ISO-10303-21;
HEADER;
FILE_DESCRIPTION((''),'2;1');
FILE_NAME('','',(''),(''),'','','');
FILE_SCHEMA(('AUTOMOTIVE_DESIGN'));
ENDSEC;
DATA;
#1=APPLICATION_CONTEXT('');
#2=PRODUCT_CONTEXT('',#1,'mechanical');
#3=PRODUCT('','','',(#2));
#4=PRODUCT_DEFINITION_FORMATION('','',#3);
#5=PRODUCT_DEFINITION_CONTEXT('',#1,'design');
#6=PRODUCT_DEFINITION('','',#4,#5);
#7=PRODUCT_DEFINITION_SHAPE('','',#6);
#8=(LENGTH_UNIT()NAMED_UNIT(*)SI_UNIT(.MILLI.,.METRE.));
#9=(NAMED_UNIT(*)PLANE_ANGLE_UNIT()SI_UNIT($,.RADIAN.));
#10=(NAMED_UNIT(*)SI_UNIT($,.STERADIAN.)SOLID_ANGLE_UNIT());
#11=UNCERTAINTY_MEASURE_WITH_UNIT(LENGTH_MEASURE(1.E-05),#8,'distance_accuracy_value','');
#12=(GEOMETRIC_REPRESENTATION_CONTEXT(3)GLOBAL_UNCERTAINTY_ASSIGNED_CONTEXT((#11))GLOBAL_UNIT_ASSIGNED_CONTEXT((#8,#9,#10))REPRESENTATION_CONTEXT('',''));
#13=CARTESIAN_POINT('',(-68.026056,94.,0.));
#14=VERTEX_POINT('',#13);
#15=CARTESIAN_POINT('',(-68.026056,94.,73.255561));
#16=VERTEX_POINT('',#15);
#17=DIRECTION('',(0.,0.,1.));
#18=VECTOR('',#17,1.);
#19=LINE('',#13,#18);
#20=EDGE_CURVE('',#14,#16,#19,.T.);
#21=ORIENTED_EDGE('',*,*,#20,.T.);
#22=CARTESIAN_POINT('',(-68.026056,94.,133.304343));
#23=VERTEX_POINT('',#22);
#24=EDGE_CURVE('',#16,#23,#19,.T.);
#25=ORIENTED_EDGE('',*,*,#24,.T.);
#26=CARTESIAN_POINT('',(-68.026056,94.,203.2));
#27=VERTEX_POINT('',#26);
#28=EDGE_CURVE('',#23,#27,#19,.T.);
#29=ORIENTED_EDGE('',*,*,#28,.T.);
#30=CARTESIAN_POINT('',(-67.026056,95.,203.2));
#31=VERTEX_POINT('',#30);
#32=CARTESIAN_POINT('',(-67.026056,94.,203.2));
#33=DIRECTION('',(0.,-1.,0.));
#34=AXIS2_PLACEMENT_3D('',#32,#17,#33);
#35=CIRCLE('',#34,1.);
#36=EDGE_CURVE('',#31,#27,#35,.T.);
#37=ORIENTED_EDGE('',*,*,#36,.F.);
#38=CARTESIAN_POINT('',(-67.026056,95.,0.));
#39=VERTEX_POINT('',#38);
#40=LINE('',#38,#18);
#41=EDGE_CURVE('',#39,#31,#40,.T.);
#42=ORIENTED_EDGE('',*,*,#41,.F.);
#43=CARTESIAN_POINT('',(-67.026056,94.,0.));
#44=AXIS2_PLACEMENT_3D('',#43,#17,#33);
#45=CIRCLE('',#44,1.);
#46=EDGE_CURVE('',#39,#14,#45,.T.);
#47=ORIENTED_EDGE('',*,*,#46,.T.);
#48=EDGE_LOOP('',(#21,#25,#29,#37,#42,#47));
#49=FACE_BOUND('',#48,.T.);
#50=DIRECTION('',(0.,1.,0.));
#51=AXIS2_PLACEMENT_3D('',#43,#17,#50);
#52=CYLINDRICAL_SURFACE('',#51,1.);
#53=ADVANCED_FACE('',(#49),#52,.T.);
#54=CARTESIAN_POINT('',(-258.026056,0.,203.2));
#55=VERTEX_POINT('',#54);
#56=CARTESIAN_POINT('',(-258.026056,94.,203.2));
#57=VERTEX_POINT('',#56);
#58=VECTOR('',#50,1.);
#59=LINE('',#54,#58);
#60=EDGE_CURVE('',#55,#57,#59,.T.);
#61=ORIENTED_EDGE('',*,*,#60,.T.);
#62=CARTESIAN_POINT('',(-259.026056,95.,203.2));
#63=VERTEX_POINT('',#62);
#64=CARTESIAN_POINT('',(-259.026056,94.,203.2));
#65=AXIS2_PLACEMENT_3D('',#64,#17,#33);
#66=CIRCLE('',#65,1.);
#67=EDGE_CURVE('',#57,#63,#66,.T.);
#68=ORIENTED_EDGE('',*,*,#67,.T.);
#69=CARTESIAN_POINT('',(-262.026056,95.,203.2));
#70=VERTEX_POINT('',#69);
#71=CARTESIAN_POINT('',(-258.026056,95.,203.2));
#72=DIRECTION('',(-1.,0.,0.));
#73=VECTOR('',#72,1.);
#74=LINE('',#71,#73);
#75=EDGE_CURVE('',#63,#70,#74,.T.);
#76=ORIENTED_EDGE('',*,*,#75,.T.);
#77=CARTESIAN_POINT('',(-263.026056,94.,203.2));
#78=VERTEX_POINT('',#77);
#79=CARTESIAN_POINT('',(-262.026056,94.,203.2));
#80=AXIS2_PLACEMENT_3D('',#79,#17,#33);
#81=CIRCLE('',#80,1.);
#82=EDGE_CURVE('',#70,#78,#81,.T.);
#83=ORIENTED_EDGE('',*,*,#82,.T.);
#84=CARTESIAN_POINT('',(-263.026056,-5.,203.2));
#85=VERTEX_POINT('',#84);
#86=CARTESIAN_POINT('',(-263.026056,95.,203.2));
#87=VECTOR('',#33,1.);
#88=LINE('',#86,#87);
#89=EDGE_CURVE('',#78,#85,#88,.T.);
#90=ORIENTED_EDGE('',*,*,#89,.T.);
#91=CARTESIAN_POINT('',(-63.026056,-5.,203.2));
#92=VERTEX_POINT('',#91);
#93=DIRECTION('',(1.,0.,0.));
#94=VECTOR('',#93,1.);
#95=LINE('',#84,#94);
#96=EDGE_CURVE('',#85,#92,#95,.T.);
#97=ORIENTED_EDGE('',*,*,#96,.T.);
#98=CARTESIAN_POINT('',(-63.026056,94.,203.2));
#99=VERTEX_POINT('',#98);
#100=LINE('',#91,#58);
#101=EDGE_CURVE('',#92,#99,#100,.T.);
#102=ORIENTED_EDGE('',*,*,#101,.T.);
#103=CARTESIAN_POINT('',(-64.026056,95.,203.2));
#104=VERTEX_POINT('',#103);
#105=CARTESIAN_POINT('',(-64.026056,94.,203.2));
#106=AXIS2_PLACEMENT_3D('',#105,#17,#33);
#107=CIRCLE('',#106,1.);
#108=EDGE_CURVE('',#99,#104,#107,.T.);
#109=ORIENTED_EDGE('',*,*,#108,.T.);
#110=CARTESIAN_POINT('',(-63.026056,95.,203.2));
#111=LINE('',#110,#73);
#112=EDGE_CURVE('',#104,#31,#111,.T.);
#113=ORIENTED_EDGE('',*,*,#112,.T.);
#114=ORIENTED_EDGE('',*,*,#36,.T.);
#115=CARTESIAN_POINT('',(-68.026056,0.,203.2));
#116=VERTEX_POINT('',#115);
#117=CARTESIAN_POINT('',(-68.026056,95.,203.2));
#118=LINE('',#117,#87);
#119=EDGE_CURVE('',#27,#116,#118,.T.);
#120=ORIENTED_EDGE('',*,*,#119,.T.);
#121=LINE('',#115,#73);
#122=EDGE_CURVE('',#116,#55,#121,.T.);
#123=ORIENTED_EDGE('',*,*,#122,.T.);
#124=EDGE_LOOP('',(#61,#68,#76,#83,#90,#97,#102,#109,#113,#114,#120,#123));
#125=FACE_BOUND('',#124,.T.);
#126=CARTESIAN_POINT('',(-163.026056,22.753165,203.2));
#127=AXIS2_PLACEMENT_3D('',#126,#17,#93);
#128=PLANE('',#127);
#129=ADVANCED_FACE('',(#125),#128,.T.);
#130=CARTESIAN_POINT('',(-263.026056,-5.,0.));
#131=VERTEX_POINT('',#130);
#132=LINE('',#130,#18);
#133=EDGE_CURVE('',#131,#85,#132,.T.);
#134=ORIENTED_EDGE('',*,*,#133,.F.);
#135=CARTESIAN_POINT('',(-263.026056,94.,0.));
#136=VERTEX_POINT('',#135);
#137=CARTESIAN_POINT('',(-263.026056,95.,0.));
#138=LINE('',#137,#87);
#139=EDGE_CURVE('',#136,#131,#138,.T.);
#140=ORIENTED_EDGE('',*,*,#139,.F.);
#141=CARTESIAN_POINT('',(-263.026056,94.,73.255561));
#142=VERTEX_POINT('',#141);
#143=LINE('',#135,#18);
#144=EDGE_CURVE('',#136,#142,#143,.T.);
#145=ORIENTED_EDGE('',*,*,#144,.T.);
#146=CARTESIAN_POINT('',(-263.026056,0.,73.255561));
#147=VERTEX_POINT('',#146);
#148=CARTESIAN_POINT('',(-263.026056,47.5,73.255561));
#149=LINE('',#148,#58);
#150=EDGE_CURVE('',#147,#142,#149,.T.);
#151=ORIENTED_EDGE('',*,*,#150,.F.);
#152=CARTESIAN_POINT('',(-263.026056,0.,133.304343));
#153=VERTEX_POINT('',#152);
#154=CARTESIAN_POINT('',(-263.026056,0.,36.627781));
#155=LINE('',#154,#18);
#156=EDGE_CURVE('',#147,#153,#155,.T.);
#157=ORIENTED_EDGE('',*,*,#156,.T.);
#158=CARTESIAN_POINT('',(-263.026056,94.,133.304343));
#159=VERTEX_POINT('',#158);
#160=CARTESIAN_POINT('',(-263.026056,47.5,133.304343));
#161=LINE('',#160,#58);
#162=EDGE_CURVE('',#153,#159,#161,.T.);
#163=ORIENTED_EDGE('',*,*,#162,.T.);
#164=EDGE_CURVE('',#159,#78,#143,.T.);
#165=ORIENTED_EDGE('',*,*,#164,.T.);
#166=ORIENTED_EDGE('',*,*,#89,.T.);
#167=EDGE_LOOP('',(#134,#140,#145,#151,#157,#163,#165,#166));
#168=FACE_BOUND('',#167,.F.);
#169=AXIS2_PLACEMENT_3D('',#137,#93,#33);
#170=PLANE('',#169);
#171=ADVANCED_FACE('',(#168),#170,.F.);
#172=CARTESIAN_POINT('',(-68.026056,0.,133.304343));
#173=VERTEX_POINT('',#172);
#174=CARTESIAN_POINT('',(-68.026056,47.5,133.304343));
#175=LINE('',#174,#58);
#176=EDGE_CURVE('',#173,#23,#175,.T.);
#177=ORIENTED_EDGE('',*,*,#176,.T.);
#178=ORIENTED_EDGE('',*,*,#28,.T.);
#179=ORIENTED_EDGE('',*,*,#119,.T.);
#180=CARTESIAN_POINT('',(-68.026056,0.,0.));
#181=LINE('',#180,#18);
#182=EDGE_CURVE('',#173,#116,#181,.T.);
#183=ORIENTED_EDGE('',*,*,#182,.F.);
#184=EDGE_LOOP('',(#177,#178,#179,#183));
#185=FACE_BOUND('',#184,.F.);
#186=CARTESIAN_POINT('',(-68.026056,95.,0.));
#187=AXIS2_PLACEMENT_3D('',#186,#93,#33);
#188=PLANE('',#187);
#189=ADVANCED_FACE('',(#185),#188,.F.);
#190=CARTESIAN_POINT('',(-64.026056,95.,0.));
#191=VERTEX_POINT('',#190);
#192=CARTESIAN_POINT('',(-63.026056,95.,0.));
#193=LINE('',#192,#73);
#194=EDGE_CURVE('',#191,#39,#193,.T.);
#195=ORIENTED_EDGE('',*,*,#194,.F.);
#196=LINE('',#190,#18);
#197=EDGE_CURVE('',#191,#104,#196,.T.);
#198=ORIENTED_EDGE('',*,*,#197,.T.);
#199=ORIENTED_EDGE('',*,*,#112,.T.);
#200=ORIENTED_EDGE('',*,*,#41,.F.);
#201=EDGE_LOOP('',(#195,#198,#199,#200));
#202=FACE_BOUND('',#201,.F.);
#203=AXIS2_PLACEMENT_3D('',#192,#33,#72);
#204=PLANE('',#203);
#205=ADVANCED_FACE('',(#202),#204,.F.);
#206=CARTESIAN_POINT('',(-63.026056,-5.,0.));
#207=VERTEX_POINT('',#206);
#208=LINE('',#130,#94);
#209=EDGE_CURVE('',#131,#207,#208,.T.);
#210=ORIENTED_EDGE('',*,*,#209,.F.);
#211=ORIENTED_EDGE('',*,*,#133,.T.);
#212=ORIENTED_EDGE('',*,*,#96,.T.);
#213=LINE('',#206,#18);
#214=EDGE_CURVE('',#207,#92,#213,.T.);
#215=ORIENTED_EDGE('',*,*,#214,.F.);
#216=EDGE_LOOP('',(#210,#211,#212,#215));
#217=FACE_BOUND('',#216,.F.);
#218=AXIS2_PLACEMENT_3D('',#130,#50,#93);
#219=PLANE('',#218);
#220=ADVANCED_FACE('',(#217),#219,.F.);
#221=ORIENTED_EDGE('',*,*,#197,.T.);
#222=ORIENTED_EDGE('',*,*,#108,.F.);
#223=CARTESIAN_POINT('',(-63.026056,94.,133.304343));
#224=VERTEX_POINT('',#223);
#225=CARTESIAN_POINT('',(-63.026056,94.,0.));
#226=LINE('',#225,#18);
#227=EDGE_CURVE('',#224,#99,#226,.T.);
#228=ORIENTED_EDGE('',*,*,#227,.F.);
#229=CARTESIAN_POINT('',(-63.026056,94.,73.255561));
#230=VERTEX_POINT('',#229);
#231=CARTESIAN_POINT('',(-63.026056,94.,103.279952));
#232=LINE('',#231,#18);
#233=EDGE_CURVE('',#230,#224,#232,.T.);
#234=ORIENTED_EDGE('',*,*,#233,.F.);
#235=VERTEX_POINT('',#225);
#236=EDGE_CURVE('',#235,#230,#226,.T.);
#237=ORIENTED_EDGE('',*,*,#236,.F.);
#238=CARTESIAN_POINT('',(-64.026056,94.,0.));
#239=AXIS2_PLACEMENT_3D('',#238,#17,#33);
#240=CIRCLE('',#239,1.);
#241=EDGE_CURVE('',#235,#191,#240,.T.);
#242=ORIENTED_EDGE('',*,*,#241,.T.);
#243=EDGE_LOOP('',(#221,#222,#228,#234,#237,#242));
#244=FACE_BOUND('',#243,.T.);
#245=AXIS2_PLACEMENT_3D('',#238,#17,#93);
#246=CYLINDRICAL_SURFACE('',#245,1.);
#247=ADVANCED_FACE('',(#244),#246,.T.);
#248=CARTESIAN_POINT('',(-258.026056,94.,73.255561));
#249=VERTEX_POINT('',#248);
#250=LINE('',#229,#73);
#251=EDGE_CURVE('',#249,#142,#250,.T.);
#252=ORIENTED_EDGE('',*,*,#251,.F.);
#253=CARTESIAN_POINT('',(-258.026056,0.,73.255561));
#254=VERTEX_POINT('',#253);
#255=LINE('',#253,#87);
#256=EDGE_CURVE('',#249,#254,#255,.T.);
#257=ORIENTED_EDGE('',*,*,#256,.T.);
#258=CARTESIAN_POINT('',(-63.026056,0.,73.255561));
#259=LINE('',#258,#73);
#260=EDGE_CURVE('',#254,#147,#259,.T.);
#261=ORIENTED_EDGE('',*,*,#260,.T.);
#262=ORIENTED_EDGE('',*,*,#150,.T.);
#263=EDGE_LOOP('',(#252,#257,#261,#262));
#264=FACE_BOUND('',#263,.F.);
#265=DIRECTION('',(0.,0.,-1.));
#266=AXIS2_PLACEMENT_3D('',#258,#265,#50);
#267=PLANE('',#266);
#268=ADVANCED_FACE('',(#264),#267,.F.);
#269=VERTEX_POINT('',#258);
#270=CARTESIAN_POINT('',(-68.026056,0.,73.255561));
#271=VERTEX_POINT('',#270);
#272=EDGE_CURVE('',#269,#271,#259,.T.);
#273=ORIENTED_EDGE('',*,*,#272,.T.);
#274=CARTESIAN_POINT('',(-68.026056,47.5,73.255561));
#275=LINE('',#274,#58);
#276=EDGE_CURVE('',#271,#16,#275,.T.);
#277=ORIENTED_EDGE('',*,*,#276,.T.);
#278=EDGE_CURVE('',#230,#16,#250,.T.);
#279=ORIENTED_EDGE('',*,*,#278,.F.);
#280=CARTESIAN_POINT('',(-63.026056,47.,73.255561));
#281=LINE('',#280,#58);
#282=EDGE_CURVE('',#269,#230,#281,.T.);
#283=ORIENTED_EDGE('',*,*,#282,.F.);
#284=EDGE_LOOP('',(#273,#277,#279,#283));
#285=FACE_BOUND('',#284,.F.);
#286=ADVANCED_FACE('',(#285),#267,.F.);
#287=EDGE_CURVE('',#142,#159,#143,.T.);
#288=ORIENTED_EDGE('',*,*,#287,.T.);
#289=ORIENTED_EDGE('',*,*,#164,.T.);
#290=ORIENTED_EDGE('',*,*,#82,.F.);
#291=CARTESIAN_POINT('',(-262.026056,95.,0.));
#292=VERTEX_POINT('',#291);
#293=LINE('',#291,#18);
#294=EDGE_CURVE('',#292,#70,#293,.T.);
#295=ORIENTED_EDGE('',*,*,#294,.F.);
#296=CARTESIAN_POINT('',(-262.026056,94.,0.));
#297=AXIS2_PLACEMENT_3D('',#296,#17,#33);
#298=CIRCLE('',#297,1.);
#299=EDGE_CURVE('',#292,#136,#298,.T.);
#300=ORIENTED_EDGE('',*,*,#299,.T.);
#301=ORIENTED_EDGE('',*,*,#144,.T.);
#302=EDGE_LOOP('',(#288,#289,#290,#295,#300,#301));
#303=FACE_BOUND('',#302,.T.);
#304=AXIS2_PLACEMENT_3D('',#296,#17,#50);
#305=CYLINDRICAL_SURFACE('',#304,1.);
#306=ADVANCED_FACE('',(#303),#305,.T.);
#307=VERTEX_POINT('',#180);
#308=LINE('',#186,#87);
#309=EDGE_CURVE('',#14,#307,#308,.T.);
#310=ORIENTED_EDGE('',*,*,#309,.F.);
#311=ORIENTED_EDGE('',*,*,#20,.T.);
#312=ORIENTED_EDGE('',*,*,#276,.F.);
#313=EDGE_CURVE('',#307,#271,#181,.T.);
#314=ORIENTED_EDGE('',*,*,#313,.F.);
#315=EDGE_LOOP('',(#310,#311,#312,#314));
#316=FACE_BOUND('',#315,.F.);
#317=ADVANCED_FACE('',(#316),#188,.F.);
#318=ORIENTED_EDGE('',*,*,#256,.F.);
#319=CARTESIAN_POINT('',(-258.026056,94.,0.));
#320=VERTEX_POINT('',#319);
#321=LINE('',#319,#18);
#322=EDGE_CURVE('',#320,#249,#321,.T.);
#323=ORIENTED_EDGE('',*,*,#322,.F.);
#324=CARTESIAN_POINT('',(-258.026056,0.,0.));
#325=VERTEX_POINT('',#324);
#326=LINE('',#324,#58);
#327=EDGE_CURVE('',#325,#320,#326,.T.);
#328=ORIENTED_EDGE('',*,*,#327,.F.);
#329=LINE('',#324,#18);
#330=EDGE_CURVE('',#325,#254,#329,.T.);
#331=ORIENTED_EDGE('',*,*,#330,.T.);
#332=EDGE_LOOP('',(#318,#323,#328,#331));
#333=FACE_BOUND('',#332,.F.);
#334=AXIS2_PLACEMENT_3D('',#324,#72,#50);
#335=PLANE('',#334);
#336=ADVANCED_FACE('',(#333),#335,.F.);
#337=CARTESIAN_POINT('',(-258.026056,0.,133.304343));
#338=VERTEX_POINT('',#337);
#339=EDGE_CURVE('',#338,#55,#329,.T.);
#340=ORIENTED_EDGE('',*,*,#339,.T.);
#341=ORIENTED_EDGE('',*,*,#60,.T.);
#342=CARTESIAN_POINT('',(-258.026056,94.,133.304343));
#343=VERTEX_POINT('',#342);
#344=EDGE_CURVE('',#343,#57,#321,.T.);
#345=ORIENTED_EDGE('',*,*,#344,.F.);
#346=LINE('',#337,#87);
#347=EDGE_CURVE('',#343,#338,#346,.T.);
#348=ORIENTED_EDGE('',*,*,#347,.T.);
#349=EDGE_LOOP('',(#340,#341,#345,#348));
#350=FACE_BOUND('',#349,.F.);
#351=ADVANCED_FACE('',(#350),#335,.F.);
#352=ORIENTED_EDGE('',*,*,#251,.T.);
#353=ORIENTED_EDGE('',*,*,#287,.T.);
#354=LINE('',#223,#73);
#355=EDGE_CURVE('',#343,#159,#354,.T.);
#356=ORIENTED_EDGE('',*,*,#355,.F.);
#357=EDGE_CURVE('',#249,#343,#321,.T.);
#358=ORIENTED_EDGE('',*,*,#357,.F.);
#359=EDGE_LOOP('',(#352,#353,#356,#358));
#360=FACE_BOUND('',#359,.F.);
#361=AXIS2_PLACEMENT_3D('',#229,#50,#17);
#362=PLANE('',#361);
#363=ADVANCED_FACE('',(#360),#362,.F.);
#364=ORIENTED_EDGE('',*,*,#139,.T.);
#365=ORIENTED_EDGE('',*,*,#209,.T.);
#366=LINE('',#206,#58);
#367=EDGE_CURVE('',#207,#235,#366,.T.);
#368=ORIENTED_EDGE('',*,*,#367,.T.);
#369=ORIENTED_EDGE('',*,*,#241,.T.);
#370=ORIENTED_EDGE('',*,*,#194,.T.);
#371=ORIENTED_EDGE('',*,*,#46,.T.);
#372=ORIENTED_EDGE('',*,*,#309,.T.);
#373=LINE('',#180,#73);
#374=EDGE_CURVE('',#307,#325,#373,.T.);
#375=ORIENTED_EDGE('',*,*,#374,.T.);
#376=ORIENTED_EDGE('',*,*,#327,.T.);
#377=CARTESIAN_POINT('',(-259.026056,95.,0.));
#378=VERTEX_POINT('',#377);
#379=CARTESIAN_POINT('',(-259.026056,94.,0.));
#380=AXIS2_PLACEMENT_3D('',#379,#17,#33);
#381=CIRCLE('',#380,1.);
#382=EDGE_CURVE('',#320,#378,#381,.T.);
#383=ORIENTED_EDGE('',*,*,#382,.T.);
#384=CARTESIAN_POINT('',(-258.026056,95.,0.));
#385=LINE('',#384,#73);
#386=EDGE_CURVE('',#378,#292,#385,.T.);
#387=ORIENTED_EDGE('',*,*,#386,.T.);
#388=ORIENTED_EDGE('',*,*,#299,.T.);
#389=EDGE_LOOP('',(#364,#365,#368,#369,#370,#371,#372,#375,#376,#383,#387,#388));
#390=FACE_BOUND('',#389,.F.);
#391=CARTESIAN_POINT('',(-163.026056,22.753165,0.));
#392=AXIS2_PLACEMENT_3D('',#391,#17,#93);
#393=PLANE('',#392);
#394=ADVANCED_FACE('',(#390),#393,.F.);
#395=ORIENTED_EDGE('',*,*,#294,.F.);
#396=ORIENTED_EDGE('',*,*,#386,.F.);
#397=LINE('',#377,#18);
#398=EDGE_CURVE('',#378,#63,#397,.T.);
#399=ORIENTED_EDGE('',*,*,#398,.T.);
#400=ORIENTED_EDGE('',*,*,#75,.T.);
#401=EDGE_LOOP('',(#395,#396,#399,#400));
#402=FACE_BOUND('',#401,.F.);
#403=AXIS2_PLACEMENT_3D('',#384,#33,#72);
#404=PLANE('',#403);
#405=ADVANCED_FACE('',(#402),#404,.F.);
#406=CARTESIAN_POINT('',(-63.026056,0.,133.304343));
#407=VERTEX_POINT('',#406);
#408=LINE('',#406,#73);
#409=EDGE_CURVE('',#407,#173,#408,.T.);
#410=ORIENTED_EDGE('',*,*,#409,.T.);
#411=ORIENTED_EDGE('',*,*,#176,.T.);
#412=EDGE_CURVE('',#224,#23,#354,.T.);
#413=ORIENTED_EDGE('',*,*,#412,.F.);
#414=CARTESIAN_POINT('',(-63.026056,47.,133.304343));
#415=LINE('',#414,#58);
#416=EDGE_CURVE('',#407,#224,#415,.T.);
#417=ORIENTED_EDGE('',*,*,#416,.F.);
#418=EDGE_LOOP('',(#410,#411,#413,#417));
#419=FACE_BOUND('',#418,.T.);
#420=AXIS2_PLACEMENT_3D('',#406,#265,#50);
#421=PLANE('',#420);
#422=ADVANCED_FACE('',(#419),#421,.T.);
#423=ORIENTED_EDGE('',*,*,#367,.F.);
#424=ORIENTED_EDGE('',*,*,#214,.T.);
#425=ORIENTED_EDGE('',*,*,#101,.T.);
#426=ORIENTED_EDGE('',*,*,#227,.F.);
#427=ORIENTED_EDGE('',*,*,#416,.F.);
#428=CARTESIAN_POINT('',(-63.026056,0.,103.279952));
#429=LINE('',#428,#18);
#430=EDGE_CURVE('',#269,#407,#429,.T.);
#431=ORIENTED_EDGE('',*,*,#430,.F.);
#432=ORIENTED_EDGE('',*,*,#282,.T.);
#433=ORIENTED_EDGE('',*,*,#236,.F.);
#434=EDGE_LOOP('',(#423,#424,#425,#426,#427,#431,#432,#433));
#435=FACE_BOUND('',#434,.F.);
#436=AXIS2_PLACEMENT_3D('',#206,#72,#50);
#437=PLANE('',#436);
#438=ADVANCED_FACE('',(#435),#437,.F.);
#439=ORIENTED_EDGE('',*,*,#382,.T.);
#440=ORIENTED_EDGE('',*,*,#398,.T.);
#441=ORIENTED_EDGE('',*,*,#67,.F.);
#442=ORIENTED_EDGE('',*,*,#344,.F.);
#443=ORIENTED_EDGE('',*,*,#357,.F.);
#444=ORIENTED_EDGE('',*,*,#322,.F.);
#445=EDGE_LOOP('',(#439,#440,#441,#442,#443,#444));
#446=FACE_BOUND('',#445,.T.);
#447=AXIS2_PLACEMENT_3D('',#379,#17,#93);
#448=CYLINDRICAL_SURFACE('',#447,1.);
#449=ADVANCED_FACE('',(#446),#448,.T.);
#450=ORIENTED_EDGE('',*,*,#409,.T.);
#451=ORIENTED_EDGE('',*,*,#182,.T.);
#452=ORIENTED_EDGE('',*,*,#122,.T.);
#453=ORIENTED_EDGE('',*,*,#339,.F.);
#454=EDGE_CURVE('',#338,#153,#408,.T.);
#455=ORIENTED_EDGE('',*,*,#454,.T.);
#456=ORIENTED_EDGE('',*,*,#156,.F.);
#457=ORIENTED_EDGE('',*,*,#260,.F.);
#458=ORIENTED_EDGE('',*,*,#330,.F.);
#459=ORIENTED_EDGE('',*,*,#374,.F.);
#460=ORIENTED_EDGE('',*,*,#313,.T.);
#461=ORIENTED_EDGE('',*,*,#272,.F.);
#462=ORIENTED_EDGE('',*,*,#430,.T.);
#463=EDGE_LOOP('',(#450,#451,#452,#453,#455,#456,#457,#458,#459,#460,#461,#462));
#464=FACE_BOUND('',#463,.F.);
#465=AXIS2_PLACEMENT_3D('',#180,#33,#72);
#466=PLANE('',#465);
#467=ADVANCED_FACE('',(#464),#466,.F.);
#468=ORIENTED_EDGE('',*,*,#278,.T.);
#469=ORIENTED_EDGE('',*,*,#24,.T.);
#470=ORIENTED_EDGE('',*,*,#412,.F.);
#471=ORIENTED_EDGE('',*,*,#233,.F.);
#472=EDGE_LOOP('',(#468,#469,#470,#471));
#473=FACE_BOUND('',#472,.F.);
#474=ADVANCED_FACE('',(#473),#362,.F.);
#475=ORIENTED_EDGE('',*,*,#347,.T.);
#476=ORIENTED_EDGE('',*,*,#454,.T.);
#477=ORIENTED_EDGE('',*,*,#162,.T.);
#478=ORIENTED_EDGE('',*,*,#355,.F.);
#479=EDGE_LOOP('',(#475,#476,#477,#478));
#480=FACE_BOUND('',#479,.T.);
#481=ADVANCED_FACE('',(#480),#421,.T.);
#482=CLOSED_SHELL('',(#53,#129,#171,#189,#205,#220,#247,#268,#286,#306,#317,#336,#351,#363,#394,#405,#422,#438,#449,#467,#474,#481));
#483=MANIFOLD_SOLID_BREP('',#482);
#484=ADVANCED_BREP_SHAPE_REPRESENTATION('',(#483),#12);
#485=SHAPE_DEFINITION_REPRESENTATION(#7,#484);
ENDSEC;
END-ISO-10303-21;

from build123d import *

# Parameters (mm, degrees)
F1_DEPTH = 203.2
F2_R     = 1
F3_W     = 94
F3_H     = 60.048782
F4_DEPTH = 300


with BuildPart() as f1:
    # F0 (on Top) → F1 (new body)
    with BuildSketch(Plane.XY):
        Polygon((-68.026056, 0), (-258.026056, 0), (-258.026056, 95), (-263.026056, 95), (-263.026056, -5), (-63.026056, -5), (-63.026056, 95), (-68.026056, 95), align=None)
    extrude(amount=F1_DEPTH)

    # F2
    f2_edges = [f1.edges().sort_by_distance(p)[0] for p in [
        (-63.026056, 95, 101.6),
        (-68.026056, 95, 101.6),
        (-258.026056, 95, 101.6),
        (-263.026056, 95, 101.6),
    ]]
    fillet(f2_edges, radius=F2_R)

    # F3 (on face) → F4 (cut)
    with BuildSketch(Plane.YZ.offset(-63.026056)):
        with Locations((47, 103.279952)):
            Rectangle(F3_W, F3_H)
    extrude(amount=-F4_DEPTH, mode=Mode.SUBTRACT)


solid = f1.part
